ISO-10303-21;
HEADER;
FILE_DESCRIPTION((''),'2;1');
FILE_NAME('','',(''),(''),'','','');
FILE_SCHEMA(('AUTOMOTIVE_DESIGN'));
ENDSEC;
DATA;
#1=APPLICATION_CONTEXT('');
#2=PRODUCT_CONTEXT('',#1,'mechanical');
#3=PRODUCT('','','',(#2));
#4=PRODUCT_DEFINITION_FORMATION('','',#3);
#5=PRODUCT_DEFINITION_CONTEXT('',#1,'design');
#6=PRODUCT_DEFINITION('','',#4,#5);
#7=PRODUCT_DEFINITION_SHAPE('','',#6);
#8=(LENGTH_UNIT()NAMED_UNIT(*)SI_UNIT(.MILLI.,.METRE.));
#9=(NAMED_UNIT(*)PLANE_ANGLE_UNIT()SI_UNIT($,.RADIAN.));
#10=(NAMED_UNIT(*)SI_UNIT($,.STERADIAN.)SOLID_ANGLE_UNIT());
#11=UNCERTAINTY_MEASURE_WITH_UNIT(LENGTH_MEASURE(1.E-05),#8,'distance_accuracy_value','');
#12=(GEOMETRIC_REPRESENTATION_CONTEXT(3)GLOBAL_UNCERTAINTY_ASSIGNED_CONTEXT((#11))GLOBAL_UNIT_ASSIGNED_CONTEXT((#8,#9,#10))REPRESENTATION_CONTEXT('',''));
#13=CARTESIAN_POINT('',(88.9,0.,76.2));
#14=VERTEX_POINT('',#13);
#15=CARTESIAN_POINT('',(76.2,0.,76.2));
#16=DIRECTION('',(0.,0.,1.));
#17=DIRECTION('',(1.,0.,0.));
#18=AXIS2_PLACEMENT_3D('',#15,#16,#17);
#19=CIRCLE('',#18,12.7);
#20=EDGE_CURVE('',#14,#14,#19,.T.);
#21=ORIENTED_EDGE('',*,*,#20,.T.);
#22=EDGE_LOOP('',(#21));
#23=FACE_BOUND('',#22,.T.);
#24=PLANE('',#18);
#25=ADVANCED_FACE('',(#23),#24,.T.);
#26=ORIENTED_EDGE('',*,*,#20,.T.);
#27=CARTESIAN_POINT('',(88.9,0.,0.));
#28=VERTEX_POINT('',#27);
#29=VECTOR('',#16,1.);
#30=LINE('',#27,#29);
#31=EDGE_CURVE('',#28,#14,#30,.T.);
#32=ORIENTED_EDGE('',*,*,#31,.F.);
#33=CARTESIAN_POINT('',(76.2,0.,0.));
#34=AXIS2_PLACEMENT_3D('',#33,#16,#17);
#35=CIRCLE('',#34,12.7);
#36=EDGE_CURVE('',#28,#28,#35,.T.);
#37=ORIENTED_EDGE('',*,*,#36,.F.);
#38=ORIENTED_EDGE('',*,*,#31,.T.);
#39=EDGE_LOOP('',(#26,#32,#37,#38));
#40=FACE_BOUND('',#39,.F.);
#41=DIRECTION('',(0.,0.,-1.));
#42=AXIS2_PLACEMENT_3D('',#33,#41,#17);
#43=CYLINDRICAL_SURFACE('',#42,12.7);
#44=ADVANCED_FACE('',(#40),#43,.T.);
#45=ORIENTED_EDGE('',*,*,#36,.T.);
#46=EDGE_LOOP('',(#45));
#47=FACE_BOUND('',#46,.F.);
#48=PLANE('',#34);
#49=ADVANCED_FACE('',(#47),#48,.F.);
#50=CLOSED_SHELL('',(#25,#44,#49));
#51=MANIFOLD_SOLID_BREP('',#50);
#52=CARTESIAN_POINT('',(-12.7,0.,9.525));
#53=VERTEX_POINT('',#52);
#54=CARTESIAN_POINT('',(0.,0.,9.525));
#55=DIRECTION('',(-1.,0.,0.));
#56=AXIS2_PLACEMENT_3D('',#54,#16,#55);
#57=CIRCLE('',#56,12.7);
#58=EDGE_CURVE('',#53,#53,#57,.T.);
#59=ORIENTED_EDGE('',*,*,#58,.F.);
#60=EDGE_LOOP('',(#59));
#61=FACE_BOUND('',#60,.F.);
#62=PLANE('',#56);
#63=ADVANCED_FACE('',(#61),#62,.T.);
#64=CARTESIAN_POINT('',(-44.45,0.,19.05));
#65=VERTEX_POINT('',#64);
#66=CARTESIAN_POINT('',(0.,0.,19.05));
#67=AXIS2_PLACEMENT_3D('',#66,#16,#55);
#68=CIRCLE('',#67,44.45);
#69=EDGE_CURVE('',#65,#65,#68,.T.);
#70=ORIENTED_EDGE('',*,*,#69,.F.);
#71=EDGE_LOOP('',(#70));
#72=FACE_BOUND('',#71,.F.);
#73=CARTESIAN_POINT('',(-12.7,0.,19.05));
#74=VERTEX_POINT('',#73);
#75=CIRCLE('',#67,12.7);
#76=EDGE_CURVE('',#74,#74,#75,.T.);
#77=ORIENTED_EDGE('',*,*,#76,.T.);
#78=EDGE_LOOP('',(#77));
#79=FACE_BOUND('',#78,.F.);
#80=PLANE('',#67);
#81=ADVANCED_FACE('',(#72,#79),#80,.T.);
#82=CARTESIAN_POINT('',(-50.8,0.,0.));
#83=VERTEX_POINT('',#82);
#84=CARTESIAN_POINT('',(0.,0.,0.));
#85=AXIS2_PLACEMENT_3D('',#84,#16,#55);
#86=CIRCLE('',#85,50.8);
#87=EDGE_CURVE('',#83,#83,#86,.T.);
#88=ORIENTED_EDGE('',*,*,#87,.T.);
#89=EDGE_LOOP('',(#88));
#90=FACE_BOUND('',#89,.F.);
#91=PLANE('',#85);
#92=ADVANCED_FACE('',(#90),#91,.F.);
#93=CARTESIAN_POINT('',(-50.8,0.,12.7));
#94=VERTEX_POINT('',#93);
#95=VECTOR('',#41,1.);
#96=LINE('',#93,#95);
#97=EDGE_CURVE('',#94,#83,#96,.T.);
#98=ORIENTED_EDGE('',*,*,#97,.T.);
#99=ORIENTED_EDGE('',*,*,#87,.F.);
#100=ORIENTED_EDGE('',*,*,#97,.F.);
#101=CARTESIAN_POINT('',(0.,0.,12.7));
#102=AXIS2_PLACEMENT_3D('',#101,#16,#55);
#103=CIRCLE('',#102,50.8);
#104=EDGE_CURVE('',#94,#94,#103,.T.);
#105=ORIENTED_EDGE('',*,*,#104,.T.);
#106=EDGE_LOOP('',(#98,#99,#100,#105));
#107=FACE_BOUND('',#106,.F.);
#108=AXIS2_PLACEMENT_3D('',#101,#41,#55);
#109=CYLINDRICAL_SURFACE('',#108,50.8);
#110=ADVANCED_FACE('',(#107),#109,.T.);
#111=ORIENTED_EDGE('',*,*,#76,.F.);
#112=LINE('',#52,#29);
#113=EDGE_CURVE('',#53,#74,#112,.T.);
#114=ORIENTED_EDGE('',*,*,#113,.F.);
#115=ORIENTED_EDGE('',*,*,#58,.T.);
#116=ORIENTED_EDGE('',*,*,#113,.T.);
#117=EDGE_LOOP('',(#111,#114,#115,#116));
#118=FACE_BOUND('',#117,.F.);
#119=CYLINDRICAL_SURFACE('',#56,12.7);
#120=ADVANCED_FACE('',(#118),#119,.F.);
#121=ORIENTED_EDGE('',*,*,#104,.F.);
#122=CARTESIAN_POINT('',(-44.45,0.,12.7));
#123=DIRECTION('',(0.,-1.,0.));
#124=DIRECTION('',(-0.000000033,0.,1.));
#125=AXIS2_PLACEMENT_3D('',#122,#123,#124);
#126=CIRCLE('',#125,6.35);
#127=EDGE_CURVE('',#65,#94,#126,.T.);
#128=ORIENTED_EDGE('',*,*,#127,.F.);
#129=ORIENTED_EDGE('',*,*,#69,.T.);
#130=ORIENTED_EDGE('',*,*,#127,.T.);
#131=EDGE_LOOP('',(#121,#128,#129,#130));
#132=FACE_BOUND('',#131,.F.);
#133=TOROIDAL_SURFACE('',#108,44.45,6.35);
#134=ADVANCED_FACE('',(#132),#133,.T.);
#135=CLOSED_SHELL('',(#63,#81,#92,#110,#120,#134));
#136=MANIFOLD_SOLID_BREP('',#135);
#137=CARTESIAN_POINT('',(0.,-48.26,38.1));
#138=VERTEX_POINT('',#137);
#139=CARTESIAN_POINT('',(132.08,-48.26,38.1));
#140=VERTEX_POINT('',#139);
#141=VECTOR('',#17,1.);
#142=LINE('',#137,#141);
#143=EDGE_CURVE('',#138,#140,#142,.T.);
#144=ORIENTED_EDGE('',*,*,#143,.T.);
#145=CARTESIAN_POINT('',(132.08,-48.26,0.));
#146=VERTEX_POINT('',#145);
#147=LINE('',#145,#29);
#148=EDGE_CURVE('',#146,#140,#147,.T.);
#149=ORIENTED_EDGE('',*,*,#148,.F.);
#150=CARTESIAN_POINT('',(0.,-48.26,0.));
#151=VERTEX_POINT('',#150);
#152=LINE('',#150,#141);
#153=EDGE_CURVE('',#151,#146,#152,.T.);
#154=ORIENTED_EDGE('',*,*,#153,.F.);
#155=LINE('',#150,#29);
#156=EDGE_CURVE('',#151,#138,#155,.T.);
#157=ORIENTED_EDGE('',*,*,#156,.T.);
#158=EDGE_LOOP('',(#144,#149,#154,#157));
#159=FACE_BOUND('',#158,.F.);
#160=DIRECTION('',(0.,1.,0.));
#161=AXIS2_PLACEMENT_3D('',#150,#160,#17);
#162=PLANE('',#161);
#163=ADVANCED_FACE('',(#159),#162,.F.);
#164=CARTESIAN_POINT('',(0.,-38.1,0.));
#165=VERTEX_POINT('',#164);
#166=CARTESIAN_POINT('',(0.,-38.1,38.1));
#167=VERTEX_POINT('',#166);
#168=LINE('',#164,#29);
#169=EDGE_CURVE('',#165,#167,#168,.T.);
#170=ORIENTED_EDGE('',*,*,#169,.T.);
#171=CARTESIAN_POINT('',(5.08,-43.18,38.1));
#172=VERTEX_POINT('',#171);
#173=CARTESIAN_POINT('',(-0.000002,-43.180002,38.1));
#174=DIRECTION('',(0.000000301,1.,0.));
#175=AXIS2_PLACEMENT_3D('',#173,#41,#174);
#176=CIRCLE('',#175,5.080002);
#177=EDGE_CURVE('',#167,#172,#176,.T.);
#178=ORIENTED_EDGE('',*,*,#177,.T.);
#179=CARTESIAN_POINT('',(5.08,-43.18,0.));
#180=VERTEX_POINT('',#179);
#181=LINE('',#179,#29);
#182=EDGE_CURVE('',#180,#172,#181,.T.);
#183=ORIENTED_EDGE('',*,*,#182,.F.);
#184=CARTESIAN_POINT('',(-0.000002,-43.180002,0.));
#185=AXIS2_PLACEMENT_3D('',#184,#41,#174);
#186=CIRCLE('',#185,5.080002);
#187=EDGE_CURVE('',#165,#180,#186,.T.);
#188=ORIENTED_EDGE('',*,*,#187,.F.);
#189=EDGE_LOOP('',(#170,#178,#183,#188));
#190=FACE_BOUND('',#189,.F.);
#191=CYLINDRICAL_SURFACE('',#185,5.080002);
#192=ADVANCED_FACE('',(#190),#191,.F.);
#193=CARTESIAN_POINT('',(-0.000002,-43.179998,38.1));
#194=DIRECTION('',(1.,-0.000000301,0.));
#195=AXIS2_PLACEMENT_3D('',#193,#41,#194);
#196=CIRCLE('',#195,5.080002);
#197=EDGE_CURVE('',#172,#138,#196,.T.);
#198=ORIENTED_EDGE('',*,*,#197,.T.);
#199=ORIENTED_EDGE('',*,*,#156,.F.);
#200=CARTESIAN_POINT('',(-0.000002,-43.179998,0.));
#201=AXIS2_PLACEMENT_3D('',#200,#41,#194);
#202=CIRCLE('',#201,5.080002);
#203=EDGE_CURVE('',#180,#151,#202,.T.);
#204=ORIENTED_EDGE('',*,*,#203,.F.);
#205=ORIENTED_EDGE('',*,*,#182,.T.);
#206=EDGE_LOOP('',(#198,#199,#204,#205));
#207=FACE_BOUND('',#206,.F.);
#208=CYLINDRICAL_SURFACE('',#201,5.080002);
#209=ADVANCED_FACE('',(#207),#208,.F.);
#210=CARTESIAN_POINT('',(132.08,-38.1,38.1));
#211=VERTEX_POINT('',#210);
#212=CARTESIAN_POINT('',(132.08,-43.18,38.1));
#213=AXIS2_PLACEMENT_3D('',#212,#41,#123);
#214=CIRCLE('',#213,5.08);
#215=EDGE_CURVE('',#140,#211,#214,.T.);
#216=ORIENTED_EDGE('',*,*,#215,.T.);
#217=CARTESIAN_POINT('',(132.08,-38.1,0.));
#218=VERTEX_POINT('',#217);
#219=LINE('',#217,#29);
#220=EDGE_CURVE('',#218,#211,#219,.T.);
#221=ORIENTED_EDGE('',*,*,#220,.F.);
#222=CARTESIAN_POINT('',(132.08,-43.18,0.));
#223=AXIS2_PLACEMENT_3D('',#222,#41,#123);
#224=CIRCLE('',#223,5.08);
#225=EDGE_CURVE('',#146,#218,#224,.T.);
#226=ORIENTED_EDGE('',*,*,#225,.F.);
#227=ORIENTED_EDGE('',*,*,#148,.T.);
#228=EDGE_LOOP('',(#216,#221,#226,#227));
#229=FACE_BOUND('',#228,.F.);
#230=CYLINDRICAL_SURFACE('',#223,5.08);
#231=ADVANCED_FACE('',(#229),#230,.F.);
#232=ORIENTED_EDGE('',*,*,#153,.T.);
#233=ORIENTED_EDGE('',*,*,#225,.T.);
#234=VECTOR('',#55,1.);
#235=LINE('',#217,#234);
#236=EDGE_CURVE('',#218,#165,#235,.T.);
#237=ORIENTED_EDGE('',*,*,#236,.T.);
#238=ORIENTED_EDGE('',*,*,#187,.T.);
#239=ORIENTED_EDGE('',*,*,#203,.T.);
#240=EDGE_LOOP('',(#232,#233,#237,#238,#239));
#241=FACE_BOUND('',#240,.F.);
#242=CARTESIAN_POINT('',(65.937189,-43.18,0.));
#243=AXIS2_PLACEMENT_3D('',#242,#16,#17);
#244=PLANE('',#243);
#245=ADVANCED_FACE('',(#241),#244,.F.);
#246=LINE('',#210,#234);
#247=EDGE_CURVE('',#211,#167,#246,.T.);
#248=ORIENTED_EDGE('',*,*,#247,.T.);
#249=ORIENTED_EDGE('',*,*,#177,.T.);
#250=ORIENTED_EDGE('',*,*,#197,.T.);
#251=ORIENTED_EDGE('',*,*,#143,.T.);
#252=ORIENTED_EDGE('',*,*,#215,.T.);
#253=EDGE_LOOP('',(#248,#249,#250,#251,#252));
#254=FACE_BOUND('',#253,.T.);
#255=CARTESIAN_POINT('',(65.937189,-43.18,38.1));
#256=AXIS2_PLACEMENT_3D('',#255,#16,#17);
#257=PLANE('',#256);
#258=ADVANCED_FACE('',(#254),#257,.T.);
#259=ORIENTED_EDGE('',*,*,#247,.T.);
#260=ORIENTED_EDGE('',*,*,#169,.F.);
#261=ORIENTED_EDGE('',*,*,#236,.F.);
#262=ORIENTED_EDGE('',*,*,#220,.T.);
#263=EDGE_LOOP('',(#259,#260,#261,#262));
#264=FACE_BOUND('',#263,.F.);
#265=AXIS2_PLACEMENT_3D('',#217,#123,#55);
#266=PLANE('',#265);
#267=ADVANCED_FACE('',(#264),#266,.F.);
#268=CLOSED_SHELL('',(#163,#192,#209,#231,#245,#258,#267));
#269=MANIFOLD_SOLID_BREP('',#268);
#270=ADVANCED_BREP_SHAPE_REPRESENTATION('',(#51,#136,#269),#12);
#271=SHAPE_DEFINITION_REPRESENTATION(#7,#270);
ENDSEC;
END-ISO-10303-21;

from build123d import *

# Parameters (mm, degrees)
F0_R     = 12.7
F1_DEPTH = 76.2
F5_DEPTH = 38.1


with BuildPart() as f1:
    # F0 (on Top) → F1 (new body)
    with BuildSketch(Plane.XY):
        Circle(F0_R)
    extrude(amount=F1_DEPTH)


with BuildPart() as f1_1:
    # F2: moved
    add(f1.part.moved(Location((76.2, 0, 0))))


with BuildPart() as f4:
    # F3 (on Front) → F4 (revolve)
    with BuildSketch(Plane.XZ):
        with BuildLine():
            Line((-50.8, 0), (0, 0))
            Line((0, 0), (0, 9.525))
            Line((0, 9.525), (-12.7, 9.525))
            Line((-12.7, 9.525), (-12.7, 19.05))
            Line((-12.7, 19.05), (-44.45, 19.05))
            ThreePointArc((-44.45, 19.05), (-48.940128, 17.190128), (-50.8, 12.7))
            Line((-50.8, 12.7), (-50.8, 0))
        make_face()
    revolve(axis=Axis((0, 0, 9.525), (0, 0, 1)))


with BuildPart() as f5:
    # F0 (on Top) → F5 (new body)
    with BuildSketch(Plane.XY):
        with BuildLine():
            ThreePointArc((5.08, -43.18), (3.592102, -46.772102), (0, -48.26))
            Line((0, -48.26), (132.08, -48.26))
            ThreePointArc((132.08, -48.26), (127, -43.18), (132.08, -38.1))
            Line((132.08, -38.1), (0, -38.1))
            ThreePointArc((0, -38.1), (3.592102, -39.587898), (5.08, -43.18))
        make_face()
    extrude(amount=F5_DEPTH)


solid = Compound([f1_1.part, f4.part, f5.part])
